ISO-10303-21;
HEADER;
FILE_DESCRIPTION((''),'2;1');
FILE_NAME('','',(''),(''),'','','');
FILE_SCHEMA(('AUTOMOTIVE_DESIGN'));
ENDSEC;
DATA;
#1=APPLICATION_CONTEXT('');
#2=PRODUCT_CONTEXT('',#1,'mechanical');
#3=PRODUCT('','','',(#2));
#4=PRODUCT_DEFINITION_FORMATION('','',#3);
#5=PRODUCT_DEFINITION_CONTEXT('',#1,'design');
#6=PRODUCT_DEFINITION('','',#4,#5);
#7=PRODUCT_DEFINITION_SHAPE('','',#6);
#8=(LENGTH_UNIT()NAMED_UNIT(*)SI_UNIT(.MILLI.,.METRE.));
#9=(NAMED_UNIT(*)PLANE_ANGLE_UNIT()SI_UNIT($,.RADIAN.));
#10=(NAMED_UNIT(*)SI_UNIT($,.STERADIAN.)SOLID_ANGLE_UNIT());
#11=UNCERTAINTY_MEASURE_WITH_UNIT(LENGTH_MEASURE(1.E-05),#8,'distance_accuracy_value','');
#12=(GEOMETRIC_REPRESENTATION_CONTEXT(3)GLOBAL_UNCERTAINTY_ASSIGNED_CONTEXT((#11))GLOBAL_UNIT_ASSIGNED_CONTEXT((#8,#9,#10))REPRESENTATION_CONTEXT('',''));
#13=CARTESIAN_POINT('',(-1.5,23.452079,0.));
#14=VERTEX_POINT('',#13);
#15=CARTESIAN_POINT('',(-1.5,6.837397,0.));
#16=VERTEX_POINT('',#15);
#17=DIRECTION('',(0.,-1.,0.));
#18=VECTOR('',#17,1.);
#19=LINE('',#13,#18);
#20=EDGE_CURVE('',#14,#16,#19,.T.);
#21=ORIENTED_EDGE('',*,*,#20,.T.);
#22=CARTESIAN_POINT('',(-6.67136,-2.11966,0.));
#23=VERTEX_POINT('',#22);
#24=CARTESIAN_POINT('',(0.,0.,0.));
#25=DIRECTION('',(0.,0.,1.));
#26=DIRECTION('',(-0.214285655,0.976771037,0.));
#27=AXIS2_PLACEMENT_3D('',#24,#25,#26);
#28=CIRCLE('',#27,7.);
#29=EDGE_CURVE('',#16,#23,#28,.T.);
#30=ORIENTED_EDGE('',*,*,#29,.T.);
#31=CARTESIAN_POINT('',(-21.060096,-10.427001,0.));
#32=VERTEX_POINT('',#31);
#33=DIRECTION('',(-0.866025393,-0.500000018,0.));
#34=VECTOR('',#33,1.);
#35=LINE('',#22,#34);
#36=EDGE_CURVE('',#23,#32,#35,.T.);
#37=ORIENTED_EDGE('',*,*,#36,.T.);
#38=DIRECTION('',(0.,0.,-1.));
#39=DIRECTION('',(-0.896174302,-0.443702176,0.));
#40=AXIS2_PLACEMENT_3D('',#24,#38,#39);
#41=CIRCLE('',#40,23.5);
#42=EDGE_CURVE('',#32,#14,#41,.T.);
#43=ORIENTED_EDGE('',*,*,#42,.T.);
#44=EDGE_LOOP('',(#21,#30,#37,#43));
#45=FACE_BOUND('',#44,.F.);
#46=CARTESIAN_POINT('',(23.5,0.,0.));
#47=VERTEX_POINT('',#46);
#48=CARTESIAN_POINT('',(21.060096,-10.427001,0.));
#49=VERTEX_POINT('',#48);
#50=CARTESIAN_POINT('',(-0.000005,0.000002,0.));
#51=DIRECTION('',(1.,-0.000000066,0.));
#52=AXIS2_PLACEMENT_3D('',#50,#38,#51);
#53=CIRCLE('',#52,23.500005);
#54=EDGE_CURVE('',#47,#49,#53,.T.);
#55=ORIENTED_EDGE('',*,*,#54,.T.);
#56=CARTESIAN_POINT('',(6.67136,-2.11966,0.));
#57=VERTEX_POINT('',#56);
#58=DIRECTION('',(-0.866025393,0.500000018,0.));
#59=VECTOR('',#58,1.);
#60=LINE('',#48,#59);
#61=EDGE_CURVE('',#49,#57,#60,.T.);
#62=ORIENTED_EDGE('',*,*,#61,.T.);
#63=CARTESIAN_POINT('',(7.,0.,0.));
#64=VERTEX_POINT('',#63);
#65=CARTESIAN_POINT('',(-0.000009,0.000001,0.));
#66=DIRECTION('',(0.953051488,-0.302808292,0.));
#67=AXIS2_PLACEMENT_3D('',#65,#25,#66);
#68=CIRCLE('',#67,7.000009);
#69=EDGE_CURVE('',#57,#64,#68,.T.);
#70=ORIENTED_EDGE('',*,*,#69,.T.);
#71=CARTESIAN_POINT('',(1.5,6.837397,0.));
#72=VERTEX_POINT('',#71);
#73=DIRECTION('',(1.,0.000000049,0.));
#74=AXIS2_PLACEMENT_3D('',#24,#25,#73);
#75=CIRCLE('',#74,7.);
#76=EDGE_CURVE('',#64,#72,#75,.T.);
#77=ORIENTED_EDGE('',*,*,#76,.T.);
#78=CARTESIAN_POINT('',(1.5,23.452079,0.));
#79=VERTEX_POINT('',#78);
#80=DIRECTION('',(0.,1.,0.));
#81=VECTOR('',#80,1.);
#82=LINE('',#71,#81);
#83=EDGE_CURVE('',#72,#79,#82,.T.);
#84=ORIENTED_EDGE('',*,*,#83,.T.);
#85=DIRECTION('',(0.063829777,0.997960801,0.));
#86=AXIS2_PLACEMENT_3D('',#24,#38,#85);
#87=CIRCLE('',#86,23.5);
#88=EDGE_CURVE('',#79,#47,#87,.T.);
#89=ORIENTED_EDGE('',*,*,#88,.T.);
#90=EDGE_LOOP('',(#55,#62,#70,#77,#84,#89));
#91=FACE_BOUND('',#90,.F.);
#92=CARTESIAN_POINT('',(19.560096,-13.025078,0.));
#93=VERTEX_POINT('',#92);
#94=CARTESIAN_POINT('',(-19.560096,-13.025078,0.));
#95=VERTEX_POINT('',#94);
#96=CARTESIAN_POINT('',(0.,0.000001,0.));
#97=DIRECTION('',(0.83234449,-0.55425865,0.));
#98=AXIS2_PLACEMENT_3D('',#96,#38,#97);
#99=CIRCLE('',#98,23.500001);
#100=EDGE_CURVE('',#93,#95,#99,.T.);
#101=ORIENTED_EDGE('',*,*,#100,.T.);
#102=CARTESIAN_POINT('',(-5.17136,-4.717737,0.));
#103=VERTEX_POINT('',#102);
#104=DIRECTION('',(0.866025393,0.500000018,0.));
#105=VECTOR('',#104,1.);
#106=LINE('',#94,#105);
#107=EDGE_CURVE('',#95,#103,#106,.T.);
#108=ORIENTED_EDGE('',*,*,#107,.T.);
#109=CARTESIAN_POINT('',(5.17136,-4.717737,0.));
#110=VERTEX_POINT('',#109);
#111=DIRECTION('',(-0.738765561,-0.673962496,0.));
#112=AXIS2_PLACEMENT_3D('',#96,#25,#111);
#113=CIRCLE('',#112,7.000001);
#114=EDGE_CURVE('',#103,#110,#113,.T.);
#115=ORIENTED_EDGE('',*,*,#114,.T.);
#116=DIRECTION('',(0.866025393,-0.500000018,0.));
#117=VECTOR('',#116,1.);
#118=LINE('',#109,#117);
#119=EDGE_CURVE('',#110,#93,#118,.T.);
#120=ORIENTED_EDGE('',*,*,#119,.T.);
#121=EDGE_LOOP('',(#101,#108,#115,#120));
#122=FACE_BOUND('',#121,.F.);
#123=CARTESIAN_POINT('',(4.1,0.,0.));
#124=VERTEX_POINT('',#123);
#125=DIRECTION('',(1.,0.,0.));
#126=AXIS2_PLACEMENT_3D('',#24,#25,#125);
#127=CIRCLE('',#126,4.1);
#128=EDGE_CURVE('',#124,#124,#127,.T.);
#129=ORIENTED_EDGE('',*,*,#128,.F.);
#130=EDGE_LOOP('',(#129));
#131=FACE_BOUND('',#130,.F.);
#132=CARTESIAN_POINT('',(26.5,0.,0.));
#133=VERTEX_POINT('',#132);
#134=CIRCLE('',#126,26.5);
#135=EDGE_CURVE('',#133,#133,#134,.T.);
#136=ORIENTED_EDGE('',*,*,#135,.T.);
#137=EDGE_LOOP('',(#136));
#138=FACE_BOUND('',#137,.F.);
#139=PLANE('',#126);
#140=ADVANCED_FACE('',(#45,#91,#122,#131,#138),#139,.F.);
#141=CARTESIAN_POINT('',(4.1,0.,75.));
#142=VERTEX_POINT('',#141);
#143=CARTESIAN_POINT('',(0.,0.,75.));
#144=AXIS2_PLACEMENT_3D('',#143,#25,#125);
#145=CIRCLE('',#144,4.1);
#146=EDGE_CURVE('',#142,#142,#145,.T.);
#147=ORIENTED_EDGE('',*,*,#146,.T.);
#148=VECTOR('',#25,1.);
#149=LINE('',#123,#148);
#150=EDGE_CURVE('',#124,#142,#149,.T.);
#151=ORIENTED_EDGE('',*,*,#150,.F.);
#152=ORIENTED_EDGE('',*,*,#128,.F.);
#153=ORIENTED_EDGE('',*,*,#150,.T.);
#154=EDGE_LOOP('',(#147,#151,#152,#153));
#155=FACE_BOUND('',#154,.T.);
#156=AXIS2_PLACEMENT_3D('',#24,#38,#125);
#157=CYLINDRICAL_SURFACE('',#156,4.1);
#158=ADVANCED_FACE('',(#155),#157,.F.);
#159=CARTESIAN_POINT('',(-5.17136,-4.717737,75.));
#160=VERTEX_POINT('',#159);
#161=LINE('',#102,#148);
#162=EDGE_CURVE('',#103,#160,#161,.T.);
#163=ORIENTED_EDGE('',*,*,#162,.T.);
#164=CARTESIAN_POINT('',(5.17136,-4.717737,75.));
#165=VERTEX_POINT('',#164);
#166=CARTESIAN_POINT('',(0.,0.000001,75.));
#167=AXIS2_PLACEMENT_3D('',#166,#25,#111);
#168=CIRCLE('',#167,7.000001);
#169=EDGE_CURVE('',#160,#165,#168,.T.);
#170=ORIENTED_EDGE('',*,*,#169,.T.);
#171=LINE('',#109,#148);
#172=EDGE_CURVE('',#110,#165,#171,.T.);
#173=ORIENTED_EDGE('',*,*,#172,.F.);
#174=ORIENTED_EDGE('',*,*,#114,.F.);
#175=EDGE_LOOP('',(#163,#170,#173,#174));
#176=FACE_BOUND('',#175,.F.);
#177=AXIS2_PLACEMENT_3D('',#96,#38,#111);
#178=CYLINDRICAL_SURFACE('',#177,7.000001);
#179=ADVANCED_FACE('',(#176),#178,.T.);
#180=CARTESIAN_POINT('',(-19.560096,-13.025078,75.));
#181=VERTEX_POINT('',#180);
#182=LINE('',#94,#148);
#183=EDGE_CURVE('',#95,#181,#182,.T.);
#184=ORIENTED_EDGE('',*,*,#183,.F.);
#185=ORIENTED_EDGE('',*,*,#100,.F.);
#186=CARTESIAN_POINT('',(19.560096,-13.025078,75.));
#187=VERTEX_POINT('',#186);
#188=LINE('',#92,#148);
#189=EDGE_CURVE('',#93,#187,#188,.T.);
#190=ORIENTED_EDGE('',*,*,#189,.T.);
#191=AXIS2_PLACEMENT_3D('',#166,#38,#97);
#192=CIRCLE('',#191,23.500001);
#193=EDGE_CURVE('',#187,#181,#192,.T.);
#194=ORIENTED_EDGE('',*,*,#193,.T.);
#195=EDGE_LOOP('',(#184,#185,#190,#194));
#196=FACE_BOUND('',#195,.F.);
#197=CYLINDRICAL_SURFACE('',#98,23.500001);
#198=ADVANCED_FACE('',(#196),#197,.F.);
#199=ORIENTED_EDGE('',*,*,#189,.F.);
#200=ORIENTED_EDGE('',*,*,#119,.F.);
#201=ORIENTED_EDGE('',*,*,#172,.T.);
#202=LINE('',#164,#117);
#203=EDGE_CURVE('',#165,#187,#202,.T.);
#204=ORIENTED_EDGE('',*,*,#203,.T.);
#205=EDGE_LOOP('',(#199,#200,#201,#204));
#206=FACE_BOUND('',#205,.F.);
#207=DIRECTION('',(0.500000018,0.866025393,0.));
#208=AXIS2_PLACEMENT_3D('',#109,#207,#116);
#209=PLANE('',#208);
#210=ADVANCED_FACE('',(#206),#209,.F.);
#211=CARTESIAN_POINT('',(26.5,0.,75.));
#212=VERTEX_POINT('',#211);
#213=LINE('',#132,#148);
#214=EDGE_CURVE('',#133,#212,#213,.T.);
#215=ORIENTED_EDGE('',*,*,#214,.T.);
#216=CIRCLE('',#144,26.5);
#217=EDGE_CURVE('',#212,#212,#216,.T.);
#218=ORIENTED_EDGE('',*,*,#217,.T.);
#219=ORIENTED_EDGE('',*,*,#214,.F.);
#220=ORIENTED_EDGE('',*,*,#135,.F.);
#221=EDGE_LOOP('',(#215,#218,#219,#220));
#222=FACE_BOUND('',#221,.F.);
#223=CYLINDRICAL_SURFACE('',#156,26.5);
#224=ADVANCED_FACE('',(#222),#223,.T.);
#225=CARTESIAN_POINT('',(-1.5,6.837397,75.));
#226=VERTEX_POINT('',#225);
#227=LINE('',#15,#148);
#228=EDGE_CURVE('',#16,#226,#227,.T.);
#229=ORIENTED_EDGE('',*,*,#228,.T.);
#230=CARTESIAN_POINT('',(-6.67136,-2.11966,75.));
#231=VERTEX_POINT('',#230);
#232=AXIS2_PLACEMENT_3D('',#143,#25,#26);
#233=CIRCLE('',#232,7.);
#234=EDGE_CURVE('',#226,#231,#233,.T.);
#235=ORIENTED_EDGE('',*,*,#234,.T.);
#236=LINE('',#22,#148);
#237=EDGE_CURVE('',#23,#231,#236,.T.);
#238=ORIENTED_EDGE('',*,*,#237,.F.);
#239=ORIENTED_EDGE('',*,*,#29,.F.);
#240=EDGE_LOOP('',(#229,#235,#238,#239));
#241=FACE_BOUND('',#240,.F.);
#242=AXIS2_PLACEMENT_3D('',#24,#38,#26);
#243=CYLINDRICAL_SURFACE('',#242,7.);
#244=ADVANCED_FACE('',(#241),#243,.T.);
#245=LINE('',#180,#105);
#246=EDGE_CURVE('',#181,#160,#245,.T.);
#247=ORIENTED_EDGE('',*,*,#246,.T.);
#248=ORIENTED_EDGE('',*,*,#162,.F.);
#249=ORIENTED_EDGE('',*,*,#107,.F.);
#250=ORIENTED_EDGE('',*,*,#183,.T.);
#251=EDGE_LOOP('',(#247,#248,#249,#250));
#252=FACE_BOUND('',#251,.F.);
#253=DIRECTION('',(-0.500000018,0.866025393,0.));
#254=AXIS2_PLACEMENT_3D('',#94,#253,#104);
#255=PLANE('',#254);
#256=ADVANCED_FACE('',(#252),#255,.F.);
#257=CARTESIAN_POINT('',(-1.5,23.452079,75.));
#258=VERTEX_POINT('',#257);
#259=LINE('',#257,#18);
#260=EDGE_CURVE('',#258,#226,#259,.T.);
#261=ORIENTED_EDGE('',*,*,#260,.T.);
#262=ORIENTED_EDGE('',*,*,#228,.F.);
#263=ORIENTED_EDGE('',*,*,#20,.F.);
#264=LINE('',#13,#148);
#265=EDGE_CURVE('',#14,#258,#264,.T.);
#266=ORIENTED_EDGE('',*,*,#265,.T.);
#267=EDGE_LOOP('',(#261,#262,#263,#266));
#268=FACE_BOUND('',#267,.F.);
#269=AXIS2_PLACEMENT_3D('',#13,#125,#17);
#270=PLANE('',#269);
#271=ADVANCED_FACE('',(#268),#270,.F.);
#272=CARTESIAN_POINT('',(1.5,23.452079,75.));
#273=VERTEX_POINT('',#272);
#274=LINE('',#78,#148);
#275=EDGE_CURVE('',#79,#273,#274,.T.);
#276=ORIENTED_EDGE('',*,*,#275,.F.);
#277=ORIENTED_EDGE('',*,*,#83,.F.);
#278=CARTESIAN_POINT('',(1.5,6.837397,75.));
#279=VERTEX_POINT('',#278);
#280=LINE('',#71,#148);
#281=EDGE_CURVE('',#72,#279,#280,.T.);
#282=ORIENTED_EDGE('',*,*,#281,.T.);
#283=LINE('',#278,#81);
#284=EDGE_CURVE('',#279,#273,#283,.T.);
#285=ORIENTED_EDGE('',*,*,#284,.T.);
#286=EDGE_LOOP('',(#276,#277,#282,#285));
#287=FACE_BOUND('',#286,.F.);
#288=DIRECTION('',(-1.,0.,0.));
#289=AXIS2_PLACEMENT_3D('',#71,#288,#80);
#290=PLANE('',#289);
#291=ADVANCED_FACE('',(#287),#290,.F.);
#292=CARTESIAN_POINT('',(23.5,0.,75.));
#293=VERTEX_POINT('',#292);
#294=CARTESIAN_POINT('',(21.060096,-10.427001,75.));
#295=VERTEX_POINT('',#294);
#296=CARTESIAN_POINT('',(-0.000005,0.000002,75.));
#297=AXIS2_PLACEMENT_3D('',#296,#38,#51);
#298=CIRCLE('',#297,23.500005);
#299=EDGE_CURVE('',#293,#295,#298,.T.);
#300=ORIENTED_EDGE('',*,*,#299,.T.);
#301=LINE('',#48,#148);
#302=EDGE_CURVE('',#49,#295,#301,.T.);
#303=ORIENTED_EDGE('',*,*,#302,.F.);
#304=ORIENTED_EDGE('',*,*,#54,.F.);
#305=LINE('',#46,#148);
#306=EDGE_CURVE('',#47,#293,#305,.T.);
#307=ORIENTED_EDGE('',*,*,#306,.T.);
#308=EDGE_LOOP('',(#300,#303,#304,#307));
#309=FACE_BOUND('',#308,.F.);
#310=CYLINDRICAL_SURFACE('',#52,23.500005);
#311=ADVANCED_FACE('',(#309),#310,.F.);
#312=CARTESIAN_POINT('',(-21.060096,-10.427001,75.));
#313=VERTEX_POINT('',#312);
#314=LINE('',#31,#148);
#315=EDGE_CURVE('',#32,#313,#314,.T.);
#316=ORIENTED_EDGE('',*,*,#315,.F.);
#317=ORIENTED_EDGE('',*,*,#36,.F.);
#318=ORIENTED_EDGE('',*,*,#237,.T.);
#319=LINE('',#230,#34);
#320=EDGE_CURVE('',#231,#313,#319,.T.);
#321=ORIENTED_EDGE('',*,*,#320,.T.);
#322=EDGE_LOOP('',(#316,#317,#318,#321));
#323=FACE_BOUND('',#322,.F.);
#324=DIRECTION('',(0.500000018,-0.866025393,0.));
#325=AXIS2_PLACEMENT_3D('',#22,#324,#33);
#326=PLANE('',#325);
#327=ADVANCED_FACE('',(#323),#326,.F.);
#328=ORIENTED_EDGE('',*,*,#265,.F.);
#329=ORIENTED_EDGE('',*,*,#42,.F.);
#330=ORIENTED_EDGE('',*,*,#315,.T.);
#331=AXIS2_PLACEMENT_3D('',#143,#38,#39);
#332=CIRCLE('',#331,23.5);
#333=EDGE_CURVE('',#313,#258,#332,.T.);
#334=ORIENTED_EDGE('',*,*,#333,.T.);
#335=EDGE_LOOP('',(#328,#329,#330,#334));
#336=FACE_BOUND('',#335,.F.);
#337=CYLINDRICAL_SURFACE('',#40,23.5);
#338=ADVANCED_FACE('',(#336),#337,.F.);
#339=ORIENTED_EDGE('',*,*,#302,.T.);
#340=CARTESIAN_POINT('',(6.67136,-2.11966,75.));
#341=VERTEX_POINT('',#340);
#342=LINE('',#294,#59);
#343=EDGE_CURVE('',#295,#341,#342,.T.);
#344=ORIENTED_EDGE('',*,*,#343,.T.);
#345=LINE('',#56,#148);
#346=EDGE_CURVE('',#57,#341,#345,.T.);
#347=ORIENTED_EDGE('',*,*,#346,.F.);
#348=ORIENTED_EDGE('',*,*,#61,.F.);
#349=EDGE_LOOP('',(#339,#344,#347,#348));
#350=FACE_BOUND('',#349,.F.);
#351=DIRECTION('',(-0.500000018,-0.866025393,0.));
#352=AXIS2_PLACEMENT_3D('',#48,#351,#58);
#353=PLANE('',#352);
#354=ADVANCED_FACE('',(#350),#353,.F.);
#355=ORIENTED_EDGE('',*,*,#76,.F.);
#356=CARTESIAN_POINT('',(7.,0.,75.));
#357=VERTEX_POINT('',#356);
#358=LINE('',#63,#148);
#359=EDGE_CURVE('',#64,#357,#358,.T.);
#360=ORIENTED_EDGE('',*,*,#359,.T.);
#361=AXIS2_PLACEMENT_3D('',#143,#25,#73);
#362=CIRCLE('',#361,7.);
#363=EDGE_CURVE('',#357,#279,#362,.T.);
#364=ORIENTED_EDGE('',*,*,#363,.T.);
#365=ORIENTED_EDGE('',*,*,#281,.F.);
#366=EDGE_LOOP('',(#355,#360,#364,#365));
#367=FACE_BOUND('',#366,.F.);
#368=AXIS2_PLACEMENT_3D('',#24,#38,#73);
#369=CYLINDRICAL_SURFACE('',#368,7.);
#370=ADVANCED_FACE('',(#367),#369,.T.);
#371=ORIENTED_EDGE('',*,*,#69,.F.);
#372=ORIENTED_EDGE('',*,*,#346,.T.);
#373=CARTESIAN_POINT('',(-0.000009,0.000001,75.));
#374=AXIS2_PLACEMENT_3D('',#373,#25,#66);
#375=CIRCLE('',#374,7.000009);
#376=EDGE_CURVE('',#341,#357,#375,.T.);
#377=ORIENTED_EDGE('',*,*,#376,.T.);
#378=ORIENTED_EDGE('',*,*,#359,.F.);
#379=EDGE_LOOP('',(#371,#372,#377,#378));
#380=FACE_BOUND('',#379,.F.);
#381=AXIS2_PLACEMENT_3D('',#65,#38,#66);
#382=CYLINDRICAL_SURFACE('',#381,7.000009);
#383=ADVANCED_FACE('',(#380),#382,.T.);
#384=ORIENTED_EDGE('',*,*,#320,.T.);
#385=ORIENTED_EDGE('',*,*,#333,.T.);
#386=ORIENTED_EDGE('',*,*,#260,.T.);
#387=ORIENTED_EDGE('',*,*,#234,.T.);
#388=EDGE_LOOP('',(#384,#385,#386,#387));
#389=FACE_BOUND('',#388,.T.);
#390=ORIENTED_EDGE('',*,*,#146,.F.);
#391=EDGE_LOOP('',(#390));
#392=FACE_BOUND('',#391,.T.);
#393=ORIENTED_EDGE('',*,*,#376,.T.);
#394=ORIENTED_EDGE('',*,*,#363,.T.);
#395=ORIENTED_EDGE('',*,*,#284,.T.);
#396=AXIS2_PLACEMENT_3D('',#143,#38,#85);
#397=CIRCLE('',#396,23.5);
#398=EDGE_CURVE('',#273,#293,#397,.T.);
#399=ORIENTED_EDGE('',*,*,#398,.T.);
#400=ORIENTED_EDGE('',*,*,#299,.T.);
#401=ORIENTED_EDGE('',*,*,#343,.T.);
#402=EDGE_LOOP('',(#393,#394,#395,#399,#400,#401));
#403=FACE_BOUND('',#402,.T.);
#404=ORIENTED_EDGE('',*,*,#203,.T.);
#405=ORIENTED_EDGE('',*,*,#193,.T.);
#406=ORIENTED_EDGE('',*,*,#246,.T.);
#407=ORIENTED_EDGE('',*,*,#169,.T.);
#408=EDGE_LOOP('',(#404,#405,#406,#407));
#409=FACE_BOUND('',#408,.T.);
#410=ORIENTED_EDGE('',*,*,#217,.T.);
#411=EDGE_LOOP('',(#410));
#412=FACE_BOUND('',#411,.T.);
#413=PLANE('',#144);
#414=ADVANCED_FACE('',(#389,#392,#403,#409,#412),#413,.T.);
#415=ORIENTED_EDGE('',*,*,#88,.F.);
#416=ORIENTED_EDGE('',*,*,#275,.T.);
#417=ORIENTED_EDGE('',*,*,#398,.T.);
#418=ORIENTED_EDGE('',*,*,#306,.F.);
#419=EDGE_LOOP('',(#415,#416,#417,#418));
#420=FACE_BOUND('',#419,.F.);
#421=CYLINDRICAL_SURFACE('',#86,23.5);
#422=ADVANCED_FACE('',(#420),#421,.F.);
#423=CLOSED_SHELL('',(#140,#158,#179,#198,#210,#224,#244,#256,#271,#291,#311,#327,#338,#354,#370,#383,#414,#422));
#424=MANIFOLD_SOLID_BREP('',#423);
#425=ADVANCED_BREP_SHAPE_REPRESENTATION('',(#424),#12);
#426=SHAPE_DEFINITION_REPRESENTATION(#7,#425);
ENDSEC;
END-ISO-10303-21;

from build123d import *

# Parameters (mm, degrees)
F0_R     = 26.5
F0_R_2   = 4.1
F1_DEPTH = 75


with BuildPart() as f1:
    # F0 (on Top) → F1 (new body)
    with BuildSketch(Plane.XY):
        Circle(F0_R)
        with BuildLine():
            ThreePointArc((0, 23.5), (0.750383, 23.488017), (1.5, 23.452079))
            ThreePointArc((1.5, 23.452079), (17.139137, 16.077935), (23.5, 0))
            ThreePointArc((23.5, 0), (22.881895, -5.354332), (21.060096, -10.427001))
            ThreePointArc((21.060096, -10.427001), (20.351597, -11.75), (19.560096, -13.025078))
            ThreePointArc((19.560096, -13.025078), (0, -23.5), (-19.560096, -13.025078))
            ThreePointArc((-19.560096, -13.025078), (-20.351597, -11.75), (-21.060096, -10.427001))
            ThreePointArc((-21.060096, -10.427001), (-20.351597, 11.75), (-1.5, 23.452079))
            ThreePointArc((-1.5, 23.452079), (-0.750383, 23.488017), (0, 23.5))
        make_face(mode=Mode.SUBTRACT)
        with BuildLine():
            ThreePointArc((-1.5, 6.837397), (-0.754394, 6.959231), (0, 7))
            Line((0, 7), (0, 23.5))
            ThreePointArc((0, 23.5), (-0.750383, 23.488017), (-1.5, 23.452079))
            Line((-1.5, 23.452079), (-1.5, 6.837397))
        make_face()
        with BuildLine():
            ThreePointArc((0, 7), (0.754394, 6.959231), (1.5, 6.837397))
            Line((1.5, 6.837397), (1.5, 23.452079))
            ThreePointArc((1.5, 23.452079), (0.750383, 23.488017), (0, 23.5))
            Line((0, 23.5), (0, 7))
        make_face()
        with BuildLine():
            Line((21.060096, -10.427001), (6.67136, -2.11966))
            ThreePointArc((6.67136, -2.11966), (6.062178, -3.5), (5.17136, -4.717737))
            Line((5.17136, -4.717737), (19.560096, -13.025078))
            ThreePointArc((19.560096, -13.025078), (20.351597, -11.75), (21.060096, -10.427001))
        make_face()
        with BuildLine():
            ThreePointArc((6.67136, -2.11966), (6.917352, -1.072493), (7, 0))
            ThreePointArc((7, 0), (5.454356, 4.387482), (1.5, 6.837397))
            ThreePointArc((1.5, 6.837397), (0.754394, 6.959231), (0, 7))
            ThreePointArc((0, 7), (-0.754394, 6.959231), (-1.5, 6.837397))
            ThreePointArc((-1.5, 6.837397), (-6.062178, 3.5), (-6.67136, -2.11966))
            ThreePointArc((-6.67136, -2.11966), (-6.062178, -3.5), (-5.17136, -4.717737))
            ThreePointArc((-5.17136, -4.717737), (0, -7), (5.17136, -4.717737))
            ThreePointArc((5.17136, -4.717737), (6.062178, -3.5), (6.67136, -2.11966))
        make_face()
        Circle(F0_R_2, mode=Mode.SUBTRACT)
        with BuildLine():
            Line((-19.560096, -13.025078), (-5.17136, -4.717737))
            ThreePointArc((-5.17136, -4.717737), (-6.062178, -3.5), (-6.67136, -2.11966))
            Line((-6.67136, -2.11966), (-21.060096, -10.427001))
            ThreePointArc((-21.060096, -10.427001), (-20.351597, -11.75), (-19.560096, -13.025078))
        make_face()
    extrude(amount=F1_DEPTH)


solid = f1.part
